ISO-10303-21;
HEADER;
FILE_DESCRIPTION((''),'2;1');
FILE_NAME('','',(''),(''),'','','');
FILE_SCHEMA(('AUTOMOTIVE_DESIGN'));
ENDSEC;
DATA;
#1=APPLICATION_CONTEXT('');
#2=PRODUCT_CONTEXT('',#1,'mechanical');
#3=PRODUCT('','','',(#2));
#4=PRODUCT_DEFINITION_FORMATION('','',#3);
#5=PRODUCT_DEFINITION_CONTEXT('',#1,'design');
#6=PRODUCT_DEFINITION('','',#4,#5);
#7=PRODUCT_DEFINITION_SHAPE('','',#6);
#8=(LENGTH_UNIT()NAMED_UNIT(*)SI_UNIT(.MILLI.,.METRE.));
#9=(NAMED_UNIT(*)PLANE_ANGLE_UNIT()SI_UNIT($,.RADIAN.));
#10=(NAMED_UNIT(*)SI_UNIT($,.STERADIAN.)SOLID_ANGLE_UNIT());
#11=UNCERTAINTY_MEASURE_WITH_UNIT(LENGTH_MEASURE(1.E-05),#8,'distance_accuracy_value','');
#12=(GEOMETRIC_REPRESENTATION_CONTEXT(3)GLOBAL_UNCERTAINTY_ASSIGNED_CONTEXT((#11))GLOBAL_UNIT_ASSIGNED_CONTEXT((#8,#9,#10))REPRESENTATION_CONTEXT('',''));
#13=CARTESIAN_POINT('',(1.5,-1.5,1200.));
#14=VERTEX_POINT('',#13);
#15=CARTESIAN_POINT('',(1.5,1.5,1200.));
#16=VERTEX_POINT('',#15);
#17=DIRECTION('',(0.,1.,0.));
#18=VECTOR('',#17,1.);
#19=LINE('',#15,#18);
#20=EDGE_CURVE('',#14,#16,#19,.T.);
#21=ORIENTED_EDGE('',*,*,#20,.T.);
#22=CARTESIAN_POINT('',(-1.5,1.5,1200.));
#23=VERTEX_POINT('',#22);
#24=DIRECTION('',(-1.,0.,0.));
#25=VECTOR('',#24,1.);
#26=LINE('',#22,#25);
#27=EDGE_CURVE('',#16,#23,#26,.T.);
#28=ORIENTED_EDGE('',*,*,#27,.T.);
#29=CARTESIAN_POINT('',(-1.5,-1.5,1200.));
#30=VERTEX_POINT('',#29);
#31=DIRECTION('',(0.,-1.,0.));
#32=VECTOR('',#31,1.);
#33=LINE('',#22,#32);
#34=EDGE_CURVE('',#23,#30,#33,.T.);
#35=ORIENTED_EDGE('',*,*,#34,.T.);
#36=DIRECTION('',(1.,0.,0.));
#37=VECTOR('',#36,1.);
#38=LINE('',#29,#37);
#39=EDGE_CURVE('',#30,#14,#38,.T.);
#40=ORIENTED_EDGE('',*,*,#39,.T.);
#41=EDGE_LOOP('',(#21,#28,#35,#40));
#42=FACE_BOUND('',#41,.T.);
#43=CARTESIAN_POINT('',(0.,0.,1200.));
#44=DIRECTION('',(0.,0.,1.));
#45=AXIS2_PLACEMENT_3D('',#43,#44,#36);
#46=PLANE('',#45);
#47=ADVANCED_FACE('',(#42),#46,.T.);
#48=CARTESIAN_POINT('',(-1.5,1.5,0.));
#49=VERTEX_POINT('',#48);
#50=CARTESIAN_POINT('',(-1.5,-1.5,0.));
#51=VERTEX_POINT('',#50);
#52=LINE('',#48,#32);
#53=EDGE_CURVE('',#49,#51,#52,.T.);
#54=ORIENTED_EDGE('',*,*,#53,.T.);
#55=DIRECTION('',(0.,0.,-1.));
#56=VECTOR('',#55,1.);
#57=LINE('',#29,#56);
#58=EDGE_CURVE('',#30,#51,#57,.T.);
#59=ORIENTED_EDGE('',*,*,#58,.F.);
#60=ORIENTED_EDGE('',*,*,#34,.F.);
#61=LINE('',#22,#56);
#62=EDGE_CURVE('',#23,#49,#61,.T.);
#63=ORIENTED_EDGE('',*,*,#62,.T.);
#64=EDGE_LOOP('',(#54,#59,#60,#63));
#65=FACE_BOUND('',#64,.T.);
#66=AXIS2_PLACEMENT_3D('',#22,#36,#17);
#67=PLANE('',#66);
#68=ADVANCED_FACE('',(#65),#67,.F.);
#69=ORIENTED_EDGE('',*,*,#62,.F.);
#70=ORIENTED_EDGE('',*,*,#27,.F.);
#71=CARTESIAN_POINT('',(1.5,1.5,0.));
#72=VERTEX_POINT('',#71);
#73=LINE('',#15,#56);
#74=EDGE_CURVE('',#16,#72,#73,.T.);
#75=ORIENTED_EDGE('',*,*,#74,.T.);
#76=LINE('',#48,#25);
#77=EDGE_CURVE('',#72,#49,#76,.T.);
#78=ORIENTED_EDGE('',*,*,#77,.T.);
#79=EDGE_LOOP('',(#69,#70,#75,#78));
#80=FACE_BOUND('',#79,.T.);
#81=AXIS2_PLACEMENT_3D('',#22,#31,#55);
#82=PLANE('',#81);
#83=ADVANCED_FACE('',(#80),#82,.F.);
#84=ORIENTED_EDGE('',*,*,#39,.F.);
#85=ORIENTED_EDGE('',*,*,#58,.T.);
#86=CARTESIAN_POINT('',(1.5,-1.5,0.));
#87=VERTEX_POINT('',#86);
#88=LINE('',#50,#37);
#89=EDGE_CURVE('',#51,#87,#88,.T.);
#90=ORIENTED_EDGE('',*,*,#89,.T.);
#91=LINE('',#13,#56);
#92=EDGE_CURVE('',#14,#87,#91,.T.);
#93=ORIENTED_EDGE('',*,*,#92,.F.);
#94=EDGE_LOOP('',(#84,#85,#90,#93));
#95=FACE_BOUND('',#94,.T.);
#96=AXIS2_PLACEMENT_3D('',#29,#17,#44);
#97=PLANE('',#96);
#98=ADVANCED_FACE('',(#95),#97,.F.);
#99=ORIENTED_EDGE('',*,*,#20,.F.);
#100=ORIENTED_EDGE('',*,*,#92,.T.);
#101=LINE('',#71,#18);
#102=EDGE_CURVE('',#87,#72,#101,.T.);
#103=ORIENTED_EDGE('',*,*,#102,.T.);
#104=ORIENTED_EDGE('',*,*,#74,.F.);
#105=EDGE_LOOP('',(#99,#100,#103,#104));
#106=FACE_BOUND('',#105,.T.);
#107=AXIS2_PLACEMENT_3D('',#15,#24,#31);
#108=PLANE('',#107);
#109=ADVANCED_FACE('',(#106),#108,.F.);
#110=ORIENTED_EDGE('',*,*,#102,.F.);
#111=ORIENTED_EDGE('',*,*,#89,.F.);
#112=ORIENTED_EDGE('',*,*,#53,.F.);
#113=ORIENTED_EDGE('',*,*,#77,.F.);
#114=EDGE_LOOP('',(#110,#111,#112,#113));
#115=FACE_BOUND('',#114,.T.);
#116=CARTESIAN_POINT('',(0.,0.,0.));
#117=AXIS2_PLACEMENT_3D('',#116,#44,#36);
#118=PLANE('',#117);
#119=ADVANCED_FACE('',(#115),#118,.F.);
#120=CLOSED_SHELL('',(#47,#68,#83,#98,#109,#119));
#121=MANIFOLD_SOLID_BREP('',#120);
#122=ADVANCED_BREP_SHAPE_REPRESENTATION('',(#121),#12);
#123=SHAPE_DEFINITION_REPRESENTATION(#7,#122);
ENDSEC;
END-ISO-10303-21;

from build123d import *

# Parameters (mm, degrees)
SKETCH1_W           = 3
SKETCH1_H           = 3
BOSS_EXTRUDE1_DEPTH = 1200


with BuildPart() as part:
    # Sketch1 → Boss-Extrude1 (new body)
    with BuildSketch(Plane.XY):
        Rectangle(SKETCH1_W, SKETCH1_H)
    extrude(amount=BOSS_EXTRUDE1_DEPTH)


solid = part.part
